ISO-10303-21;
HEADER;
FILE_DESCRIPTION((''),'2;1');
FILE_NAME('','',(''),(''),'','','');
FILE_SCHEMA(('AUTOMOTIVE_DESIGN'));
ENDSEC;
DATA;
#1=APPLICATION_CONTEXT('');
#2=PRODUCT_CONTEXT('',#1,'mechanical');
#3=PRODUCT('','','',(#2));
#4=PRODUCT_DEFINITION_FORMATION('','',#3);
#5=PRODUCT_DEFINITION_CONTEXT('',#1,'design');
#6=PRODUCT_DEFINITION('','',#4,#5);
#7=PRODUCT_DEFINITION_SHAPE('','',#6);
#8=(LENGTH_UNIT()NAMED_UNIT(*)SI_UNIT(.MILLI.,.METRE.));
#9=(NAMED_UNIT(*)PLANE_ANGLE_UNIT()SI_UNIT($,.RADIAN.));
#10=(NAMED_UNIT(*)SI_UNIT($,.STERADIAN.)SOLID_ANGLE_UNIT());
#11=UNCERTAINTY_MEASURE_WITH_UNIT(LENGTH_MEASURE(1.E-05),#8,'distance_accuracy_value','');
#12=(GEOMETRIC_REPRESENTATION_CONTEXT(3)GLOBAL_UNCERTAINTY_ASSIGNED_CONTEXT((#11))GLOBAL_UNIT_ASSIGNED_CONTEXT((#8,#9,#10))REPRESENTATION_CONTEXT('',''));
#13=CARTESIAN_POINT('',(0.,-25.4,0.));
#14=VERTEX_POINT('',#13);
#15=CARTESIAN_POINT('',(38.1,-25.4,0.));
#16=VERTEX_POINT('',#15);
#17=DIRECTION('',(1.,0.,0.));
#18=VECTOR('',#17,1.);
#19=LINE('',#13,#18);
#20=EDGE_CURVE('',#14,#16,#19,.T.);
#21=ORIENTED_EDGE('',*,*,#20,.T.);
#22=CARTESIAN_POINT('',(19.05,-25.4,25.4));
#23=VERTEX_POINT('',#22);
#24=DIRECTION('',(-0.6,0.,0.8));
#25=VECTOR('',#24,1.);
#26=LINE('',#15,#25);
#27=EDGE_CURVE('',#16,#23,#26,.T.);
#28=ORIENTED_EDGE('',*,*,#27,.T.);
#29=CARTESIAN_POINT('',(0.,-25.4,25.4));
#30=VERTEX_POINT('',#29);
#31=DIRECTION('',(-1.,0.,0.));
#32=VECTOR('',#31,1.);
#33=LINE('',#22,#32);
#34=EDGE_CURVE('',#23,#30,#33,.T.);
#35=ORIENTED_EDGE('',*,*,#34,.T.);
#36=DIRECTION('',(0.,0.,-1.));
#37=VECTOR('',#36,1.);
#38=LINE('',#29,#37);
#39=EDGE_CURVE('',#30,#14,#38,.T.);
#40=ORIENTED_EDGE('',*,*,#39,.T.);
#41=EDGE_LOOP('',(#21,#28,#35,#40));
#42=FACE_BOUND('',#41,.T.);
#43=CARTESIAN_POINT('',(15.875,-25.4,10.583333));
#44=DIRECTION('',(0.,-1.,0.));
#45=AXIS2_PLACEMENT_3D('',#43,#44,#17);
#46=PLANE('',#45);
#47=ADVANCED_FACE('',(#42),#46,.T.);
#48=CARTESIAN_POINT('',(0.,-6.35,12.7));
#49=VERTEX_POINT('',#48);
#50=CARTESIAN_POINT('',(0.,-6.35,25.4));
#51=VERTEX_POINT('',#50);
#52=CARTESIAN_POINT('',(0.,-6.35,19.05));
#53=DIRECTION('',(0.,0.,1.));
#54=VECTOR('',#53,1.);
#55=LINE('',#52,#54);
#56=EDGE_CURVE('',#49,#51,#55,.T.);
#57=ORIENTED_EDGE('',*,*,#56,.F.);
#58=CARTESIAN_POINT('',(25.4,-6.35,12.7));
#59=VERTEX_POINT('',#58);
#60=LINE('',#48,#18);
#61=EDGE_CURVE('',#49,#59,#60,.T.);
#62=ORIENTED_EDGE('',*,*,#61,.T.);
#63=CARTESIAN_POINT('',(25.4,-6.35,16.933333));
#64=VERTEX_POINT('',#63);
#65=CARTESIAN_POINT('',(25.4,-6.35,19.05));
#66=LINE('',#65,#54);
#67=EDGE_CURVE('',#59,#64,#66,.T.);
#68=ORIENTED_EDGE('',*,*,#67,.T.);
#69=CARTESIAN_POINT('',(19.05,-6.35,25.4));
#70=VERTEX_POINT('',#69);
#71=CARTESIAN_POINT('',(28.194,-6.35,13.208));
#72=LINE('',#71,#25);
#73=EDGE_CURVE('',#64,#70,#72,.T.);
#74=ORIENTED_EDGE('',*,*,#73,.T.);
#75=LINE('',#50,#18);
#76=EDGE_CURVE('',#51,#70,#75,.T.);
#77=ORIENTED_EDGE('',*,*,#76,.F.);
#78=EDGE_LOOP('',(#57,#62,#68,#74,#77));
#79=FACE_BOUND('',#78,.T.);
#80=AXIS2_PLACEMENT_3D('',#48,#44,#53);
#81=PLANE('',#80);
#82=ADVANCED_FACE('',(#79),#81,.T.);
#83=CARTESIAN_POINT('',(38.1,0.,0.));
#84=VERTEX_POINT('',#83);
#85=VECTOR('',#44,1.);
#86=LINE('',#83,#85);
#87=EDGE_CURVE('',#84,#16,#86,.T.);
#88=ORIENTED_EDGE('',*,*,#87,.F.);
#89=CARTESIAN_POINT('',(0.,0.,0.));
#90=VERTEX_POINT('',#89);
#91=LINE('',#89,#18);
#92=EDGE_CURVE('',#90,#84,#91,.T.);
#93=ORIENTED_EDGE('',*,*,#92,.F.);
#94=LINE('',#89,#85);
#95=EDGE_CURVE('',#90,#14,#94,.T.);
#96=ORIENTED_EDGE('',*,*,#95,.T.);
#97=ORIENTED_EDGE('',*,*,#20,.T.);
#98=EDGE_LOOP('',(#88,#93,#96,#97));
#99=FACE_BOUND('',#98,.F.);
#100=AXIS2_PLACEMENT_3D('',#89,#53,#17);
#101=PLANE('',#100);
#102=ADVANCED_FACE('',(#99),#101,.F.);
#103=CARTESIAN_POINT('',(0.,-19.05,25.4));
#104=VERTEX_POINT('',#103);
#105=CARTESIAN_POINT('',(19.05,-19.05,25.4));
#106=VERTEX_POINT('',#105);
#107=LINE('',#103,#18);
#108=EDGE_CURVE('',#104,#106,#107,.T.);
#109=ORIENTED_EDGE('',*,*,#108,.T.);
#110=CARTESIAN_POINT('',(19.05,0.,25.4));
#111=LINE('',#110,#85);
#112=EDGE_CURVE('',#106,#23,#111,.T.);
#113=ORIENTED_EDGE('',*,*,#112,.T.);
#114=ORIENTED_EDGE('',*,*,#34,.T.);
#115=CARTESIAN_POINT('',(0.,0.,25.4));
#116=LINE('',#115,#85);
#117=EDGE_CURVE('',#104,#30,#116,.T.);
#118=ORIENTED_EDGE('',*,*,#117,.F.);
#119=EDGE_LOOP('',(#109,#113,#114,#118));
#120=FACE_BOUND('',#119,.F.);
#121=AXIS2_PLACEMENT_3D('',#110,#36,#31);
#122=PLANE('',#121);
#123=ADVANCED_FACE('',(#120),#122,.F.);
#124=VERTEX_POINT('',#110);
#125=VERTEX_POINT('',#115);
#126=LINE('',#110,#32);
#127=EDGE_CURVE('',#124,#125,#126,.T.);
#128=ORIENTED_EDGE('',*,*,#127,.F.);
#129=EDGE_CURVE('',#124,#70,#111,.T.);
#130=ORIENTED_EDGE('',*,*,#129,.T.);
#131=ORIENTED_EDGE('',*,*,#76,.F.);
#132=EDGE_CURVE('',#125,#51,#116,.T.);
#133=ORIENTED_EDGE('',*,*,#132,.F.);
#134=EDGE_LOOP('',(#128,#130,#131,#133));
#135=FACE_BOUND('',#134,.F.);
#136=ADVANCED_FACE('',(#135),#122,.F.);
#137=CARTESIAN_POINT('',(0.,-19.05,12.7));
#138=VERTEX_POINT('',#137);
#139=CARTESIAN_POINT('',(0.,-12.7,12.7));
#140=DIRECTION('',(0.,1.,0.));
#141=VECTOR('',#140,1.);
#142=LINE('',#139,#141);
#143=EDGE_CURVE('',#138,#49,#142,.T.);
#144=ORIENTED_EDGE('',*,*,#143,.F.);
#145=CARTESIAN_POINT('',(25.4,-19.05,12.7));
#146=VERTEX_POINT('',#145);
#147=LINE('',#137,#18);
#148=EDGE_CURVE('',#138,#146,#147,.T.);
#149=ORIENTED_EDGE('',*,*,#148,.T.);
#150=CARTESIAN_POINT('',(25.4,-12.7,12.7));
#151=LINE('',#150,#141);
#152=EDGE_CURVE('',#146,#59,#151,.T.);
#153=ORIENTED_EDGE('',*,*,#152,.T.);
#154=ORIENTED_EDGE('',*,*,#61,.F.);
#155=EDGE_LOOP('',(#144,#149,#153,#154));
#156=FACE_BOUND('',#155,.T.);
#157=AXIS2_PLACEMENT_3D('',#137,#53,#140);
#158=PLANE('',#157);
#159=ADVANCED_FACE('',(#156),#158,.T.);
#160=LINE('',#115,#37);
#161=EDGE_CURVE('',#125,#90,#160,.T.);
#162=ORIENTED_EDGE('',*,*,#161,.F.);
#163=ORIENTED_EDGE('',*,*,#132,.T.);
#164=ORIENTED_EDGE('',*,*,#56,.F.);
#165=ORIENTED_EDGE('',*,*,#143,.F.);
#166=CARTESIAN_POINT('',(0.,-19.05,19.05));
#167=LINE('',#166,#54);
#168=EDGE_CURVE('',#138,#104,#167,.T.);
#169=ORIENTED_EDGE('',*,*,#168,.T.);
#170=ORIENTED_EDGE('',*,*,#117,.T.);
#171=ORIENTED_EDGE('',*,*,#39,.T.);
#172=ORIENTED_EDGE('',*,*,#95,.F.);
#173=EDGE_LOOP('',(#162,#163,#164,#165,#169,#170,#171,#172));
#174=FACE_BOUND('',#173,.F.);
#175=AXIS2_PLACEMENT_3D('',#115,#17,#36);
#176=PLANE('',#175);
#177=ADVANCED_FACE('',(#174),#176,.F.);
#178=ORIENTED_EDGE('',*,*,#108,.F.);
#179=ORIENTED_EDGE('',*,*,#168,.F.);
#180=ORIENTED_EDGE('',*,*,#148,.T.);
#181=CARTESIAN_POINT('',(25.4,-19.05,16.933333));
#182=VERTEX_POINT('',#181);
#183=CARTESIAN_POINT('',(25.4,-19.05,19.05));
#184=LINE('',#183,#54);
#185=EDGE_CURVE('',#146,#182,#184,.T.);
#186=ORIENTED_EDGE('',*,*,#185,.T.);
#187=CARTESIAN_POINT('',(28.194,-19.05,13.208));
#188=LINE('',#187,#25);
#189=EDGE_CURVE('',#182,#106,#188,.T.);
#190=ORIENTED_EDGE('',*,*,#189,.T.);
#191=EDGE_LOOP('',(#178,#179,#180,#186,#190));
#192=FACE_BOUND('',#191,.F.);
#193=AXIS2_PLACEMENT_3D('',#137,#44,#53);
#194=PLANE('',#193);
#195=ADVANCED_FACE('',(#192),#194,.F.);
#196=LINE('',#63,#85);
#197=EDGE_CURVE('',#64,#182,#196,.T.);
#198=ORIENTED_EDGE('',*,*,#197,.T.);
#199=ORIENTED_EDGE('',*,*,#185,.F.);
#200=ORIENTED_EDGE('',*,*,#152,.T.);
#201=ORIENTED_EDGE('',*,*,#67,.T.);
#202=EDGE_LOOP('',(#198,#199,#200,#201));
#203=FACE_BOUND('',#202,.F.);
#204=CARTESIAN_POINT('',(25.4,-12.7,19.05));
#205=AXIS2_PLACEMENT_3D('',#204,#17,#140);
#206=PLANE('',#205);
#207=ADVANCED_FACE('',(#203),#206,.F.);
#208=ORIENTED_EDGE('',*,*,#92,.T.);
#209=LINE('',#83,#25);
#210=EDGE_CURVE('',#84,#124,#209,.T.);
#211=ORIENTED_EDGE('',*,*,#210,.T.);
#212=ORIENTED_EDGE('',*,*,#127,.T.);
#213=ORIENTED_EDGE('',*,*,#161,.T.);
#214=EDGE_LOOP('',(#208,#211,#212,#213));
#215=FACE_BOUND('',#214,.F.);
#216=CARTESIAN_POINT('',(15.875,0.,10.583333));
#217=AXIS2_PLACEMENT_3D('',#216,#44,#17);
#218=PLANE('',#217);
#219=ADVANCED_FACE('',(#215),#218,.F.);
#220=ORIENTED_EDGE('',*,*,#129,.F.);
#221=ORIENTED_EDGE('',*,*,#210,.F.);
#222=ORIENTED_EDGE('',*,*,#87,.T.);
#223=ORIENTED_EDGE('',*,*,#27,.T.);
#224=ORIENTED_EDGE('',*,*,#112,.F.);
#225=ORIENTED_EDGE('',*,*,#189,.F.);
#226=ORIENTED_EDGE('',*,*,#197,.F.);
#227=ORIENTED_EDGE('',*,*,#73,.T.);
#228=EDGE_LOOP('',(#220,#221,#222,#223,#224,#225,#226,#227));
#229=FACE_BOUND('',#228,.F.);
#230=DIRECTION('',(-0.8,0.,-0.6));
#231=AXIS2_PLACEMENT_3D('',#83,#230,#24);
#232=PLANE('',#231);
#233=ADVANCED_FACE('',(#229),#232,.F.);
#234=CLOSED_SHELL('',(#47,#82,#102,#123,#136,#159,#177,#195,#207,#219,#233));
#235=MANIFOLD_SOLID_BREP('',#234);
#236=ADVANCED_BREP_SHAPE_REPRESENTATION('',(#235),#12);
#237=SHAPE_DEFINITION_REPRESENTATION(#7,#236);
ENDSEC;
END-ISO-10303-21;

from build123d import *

# Parameters (mm, degrees)
F1_DEPTH = 25.4
F2_W     = 12.7
F2_H     = 12.7
F3_DEPTH = 25.4


with BuildPart() as f1:
    # F0 (on Front) → F1 (new body)
    with BuildSketch(Plane.XZ):
        Polygon((0, 25.4), (0, 0), (38.1, 0), (19.05, 25.4), align=None)
    extrude(amount=F1_DEPTH)

    # F2 (on Right) → F3 (cut)
    with BuildSketch(Plane.YZ):
        with Locations((-12.7, 19.05)):
            Rectangle(F2_W, F2_H)
    extrude(amount=F3_DEPTH, mode=Mode.SUBTRACT)


solid = f1.part
